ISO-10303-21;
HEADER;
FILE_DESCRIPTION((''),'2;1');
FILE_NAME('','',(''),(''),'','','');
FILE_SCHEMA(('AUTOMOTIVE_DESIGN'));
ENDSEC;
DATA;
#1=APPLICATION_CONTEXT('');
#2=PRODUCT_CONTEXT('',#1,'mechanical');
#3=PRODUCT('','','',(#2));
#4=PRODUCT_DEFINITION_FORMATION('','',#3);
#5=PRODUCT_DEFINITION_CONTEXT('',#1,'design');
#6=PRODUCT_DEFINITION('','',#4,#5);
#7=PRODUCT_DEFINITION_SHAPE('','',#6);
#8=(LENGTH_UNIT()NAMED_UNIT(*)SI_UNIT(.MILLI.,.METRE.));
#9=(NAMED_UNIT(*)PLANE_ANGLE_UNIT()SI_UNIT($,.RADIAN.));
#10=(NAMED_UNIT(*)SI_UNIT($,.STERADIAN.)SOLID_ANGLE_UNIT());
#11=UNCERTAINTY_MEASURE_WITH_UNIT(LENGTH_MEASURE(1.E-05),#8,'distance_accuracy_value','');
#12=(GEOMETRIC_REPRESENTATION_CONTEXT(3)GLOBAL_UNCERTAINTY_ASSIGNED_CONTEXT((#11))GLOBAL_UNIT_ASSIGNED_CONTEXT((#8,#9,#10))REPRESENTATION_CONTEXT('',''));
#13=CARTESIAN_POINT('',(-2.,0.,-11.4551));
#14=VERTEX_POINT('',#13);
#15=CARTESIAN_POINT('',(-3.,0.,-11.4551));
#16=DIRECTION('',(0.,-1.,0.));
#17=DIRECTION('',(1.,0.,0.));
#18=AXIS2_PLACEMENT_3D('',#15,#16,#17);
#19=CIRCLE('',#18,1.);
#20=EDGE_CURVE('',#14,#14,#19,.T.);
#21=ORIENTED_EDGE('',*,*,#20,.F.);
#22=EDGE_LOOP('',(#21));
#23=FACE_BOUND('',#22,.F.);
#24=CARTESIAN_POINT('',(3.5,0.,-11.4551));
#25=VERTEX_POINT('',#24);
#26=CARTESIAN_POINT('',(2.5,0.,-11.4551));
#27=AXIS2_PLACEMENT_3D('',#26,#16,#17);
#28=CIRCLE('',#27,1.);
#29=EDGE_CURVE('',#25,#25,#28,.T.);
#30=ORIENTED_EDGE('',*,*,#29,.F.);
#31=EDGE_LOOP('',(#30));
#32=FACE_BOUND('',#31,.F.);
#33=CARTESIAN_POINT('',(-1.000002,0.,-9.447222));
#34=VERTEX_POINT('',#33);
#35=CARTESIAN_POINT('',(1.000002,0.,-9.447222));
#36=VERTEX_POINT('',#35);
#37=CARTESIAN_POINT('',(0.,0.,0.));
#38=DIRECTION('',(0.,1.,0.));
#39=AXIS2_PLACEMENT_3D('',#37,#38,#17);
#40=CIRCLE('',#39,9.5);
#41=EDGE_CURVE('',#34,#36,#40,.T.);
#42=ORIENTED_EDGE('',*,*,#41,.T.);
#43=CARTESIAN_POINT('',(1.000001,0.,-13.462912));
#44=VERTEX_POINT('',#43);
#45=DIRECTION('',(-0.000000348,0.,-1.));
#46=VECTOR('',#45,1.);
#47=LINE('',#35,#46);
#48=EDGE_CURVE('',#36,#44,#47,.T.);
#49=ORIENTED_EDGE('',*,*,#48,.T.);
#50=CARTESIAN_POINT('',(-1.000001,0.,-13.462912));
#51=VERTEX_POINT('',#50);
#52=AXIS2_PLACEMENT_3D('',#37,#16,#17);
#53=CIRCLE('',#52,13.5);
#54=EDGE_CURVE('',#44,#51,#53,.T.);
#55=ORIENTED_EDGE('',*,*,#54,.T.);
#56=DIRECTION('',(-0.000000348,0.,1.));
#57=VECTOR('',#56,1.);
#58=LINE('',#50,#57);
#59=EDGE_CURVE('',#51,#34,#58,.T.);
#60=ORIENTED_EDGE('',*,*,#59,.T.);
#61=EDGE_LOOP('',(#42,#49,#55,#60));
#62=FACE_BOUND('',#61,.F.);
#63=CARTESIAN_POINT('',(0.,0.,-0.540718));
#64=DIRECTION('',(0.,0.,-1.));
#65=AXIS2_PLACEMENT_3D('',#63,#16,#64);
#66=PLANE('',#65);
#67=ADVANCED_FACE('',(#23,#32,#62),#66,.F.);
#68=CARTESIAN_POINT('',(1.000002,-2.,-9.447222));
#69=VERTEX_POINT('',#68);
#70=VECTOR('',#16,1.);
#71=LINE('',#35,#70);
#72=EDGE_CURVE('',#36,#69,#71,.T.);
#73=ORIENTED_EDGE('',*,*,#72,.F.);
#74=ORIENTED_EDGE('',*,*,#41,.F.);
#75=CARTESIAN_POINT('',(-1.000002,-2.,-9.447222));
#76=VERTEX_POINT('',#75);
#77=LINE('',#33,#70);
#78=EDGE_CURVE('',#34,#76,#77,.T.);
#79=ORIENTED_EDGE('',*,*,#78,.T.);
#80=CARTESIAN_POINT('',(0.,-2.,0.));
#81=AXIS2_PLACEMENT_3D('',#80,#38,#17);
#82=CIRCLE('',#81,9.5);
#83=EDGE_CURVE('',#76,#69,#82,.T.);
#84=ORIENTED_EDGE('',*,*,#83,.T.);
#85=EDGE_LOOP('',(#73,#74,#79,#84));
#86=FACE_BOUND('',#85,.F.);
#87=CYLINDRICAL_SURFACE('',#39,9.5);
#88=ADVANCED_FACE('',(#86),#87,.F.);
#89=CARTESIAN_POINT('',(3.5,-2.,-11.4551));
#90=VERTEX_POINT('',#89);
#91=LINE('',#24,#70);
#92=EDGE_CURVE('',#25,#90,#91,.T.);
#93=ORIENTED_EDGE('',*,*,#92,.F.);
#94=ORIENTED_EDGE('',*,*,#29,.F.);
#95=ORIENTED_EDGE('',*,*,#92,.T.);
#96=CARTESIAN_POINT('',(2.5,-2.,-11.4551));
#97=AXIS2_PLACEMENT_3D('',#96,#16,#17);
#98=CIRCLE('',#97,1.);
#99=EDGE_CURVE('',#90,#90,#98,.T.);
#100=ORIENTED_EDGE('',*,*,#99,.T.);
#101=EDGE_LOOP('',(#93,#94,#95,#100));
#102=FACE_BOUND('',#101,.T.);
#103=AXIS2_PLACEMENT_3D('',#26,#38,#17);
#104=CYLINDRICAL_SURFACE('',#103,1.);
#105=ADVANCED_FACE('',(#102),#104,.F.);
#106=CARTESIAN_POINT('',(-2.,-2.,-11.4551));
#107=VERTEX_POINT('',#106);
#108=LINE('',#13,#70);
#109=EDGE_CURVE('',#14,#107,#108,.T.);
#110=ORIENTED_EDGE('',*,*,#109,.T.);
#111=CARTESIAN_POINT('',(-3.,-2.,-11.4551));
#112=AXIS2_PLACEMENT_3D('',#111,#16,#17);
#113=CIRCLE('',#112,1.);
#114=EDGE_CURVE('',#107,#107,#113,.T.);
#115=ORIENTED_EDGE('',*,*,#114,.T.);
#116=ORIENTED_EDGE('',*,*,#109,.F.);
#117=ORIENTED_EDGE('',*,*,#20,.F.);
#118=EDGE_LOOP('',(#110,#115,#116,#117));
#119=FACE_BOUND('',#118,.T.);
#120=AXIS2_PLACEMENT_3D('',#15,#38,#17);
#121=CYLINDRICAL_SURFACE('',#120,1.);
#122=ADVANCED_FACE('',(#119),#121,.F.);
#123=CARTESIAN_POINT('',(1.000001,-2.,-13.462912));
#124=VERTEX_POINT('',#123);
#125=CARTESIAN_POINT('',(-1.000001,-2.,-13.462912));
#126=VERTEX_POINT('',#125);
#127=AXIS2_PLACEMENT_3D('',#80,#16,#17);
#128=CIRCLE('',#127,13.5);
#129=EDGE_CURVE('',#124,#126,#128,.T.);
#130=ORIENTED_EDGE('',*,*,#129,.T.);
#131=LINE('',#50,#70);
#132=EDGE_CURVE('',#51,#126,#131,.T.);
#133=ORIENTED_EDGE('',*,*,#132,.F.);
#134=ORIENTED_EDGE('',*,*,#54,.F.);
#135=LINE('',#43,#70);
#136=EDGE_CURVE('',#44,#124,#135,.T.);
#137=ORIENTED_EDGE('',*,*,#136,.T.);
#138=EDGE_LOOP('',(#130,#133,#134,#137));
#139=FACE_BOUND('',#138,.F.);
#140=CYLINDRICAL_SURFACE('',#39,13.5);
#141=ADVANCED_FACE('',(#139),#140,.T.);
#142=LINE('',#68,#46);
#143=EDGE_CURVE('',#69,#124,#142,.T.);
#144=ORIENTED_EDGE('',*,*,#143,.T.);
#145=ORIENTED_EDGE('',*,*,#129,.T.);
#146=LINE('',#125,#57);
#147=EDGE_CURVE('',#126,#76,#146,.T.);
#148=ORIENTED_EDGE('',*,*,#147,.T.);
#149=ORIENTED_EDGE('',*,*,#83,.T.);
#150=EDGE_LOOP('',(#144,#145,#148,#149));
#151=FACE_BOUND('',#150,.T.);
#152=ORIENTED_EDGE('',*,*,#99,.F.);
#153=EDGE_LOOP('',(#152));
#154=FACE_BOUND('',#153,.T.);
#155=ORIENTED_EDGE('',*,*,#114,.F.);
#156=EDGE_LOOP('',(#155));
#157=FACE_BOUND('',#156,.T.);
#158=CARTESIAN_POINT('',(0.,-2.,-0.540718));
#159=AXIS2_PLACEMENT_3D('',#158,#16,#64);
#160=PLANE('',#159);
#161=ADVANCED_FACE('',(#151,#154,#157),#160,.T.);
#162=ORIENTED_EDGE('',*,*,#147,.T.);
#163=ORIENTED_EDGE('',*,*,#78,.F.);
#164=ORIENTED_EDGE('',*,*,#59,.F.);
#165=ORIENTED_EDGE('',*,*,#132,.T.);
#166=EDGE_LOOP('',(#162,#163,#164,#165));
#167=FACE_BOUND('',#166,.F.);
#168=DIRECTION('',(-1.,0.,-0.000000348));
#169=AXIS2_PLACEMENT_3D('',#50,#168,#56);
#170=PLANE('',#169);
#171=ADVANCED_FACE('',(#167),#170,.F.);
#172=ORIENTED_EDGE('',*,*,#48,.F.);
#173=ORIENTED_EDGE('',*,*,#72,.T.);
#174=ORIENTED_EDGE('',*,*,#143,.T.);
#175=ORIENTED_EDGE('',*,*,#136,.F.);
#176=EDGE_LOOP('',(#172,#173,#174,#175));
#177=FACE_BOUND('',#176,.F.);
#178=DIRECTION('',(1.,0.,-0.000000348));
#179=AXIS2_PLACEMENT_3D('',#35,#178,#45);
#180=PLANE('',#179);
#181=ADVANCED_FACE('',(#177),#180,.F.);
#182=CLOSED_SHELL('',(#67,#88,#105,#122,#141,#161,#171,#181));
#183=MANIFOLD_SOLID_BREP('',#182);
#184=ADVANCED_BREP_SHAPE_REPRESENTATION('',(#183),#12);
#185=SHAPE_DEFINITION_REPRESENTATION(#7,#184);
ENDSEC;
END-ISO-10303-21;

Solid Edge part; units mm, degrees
sketch "Sketch1" plane through (0, 0, 0) normal (0, -1, 0) x (1, 0, 0)
  circle A0 centre (2.5, -11.4551) radius 1
  line L0 (-1, -13.4629) -> (-1, -9.4472)
  line L1 (1, -9.4472) -> (1, -13.4629)
  arc A1 (1, -13.4629) -> (-1, -13.4629) centre (0, 0) ccw
  arc A2 (-1, -9.4472) -> (1, -9.4472) centre (0, 0) cw
  circle A3 centre (-3, -11.4551) radius 1
extrude "Protrusion1" add sketch "Sketch1" along normal blind 2
properties material "Steel"
